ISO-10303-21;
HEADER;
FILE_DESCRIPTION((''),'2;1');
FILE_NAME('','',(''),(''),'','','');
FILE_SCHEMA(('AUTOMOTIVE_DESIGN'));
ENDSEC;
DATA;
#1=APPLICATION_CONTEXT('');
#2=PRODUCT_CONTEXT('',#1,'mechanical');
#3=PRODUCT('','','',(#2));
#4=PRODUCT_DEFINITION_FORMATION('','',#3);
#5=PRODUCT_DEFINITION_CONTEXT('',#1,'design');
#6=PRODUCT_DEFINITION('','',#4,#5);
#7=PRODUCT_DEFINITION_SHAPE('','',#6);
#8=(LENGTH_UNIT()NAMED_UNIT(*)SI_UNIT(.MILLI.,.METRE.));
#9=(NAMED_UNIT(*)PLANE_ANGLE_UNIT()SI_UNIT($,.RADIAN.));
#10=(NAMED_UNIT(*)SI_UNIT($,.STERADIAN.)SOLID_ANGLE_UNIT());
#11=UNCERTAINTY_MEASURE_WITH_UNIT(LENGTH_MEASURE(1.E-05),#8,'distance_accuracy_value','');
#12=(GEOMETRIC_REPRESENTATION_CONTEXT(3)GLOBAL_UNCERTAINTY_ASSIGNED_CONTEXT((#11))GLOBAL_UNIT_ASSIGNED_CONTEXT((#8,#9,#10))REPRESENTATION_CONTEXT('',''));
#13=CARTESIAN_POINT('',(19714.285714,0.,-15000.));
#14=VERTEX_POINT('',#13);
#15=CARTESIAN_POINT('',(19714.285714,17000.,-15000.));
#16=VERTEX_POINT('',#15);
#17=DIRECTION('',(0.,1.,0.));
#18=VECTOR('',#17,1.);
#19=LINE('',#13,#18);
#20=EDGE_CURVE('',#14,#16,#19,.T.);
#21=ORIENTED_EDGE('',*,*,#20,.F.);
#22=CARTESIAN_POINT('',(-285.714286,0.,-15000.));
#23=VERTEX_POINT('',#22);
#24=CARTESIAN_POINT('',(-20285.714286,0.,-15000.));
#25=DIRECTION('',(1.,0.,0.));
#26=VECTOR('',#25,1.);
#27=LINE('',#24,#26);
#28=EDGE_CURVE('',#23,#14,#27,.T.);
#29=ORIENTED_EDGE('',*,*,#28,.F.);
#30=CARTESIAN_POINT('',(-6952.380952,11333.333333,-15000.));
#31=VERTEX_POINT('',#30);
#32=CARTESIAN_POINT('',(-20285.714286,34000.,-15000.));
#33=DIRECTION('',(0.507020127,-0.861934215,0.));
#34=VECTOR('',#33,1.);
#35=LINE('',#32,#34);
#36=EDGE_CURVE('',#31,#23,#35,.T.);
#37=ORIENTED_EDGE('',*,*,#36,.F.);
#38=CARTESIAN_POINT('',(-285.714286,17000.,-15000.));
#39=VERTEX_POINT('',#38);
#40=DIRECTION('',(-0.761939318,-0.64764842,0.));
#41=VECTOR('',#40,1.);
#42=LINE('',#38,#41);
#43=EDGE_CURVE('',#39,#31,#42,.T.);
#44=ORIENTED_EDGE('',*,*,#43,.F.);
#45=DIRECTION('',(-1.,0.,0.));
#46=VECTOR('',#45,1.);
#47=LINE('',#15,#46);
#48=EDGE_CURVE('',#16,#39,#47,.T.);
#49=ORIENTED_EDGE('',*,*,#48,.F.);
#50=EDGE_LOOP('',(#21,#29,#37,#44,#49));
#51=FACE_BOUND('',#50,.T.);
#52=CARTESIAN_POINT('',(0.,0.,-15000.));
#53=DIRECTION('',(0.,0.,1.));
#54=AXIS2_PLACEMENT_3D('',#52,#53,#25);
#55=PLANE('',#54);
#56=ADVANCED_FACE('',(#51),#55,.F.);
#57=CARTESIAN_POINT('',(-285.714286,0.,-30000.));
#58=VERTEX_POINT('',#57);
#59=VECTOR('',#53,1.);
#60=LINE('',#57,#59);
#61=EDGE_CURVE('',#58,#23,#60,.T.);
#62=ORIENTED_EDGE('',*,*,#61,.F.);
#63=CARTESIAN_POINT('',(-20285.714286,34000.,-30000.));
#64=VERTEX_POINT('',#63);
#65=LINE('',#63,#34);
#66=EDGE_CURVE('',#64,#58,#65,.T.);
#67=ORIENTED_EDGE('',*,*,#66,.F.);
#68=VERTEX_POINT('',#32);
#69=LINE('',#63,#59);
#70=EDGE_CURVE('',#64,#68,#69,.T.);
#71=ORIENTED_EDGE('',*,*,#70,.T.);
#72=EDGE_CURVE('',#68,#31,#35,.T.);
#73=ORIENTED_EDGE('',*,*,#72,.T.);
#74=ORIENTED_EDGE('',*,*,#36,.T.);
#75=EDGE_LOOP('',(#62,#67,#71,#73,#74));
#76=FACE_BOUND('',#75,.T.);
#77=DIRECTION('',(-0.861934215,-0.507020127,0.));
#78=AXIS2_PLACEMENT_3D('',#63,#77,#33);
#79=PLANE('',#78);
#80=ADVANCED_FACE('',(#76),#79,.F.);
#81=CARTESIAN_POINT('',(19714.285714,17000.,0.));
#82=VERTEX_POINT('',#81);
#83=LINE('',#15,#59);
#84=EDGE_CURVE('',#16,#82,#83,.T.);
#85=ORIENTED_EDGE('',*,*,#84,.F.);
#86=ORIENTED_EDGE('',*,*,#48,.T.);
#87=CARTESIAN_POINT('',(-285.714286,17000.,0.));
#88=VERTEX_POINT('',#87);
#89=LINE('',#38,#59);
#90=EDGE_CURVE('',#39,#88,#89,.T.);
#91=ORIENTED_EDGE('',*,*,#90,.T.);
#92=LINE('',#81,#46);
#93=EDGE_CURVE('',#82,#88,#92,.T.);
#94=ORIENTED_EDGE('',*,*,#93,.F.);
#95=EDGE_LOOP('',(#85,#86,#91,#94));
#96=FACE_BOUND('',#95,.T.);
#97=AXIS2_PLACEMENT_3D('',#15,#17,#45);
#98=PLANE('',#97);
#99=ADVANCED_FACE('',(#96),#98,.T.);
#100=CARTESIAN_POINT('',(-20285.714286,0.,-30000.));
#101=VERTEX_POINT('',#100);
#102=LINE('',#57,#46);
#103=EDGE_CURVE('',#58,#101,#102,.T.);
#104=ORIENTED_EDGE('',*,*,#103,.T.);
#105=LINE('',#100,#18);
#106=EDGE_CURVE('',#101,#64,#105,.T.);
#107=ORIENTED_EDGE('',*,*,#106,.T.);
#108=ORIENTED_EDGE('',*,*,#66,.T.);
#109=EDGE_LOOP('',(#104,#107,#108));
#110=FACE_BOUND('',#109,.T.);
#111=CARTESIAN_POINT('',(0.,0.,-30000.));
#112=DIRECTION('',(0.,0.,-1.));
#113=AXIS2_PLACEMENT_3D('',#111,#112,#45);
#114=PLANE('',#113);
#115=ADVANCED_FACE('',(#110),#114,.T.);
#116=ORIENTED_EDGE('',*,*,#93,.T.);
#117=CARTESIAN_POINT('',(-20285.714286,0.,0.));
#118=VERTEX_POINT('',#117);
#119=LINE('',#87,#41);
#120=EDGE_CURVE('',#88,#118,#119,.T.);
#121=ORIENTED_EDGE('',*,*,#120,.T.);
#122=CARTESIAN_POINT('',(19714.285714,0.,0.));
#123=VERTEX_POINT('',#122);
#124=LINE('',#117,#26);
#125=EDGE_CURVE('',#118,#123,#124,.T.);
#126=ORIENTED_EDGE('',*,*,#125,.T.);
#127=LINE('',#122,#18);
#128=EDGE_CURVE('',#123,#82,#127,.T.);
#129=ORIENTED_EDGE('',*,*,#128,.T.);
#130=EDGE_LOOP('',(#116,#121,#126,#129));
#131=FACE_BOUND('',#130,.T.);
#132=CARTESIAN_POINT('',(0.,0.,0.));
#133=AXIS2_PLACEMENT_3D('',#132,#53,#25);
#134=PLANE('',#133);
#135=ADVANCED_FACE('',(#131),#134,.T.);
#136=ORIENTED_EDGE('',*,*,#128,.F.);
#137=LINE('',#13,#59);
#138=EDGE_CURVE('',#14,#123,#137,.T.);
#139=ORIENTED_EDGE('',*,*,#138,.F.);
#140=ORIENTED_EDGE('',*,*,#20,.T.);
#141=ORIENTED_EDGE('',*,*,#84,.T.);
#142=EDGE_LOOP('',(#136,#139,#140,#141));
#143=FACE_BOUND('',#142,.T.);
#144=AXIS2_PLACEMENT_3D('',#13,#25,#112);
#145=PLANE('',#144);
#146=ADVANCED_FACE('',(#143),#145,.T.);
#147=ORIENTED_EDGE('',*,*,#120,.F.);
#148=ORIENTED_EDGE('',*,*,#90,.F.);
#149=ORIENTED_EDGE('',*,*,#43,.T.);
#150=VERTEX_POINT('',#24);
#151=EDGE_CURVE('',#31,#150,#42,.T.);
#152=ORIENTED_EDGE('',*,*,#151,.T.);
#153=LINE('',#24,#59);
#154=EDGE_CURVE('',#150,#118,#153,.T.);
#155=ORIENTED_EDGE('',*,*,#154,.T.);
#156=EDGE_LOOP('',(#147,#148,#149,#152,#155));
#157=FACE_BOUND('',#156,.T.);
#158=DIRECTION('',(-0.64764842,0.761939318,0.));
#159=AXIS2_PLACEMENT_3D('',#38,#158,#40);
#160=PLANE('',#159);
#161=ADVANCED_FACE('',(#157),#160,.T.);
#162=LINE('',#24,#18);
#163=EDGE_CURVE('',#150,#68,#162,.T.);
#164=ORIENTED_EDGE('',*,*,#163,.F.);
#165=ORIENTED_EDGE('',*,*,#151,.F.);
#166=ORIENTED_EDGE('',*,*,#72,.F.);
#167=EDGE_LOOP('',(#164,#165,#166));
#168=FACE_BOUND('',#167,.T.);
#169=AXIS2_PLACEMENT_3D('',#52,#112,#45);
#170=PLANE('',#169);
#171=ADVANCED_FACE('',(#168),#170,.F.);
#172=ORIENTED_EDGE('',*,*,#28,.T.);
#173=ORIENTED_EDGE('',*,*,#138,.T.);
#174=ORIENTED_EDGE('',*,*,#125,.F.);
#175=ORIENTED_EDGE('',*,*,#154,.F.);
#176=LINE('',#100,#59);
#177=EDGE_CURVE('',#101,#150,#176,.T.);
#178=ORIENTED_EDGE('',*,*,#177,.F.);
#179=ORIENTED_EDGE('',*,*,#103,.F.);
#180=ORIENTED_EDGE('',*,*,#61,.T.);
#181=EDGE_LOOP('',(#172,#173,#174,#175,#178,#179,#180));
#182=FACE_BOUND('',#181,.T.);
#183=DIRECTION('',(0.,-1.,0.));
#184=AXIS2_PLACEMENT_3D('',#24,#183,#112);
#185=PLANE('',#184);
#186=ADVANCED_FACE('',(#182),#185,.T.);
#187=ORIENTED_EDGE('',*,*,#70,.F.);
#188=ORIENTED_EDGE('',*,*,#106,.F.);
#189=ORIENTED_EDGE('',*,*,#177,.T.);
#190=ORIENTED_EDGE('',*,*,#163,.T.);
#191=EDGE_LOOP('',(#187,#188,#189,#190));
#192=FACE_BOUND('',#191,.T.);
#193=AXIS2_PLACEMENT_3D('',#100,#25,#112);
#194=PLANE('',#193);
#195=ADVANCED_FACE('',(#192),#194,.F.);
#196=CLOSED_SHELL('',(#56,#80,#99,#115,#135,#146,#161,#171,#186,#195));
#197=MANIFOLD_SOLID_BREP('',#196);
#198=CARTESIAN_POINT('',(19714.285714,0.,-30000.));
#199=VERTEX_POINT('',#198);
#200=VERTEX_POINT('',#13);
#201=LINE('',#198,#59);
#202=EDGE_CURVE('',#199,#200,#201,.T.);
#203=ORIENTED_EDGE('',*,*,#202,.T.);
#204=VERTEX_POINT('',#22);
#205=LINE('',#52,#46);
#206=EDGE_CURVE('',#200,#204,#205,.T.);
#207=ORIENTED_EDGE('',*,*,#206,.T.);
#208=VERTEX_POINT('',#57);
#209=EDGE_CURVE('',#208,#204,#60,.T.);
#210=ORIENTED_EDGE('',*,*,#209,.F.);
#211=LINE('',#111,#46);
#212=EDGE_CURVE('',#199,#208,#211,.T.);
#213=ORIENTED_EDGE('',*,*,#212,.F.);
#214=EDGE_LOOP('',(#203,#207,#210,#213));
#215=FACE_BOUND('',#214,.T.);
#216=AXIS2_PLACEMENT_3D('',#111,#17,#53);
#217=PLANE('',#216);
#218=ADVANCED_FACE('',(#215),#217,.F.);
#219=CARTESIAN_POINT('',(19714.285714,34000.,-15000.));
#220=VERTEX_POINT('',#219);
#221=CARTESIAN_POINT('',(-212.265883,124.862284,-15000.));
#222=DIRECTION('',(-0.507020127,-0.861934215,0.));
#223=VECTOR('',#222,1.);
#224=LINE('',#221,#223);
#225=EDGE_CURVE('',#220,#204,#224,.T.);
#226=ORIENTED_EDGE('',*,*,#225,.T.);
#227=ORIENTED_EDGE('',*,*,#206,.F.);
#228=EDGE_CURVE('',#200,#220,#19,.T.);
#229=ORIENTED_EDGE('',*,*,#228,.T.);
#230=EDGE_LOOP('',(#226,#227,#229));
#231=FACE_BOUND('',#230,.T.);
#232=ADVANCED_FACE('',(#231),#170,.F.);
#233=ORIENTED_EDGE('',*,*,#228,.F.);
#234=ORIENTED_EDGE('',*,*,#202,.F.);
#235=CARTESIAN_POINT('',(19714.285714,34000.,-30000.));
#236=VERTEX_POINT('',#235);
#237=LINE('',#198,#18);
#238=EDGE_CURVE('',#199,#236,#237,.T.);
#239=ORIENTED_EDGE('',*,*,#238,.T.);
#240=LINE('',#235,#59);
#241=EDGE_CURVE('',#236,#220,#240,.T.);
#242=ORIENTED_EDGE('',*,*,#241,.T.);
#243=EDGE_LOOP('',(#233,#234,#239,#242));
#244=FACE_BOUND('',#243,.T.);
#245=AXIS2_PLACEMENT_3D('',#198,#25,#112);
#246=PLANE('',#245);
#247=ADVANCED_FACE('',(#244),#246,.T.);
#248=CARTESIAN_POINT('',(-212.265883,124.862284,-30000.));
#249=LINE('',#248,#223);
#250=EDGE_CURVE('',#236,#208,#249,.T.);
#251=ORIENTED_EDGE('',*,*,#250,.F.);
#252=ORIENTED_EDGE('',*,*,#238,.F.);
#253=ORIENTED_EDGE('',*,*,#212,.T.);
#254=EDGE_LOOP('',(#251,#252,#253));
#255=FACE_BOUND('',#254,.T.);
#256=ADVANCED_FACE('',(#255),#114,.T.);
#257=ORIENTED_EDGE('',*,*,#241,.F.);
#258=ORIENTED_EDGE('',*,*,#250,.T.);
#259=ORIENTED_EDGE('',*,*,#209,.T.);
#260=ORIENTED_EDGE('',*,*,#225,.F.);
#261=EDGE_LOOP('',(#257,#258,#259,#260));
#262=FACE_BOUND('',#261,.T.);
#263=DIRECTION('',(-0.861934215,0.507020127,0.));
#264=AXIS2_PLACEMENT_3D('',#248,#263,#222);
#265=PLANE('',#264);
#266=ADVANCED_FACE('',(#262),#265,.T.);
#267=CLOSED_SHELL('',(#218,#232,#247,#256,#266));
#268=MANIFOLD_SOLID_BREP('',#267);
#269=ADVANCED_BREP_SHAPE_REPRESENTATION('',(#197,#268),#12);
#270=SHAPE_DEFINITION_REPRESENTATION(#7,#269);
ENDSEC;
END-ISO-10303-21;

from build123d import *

# Parameters (mm, degrees)
BOSS_EXTRUDE1_DEPTH  = 15000
BOSS_EXTRUDE2_DEPTH  = 15000
BOSS_EXTRUDE16_DEPTH = 15000


with BuildPart() as part:
    # Sketch1 → Boss-Extrude1 (new body)
    with BuildSketch(Plane.XY):
        Polygon((-20285.714285714, 0), (19714.285714286, 0), (19714.285714286, 17000), (-285.714285714, 17000), align=None)
    extrude(amount=-BOSS_EXTRUDE1_DEPTH)

    # Sketch2 → Boss-Extrude2 (add)
    with BuildSketch(Plane(origin=(0, 0, -15000), x_dir=(-1, 0, 0), z_dir=(0, 0, -1))):
        Polygon((285.714285714, 0), (20285.714285714, 0), (20285.714285714, 34000), align=None)
    extrude(amount=BOSS_EXTRUDE2_DEPTH)


with BuildPart() as body_2:
    # Sketch5 → Boss-Extrude16 (new body)
    with BuildSketch(Plane(origin=(0, 0, -15000), x_dir=(-1, 0, 0), z_dir=(0, 0, -1))):
        Polygon((-19714.285714286, 17000), (-9714.285714286, 17000), (-19714.285714286, 34000), align=None)
        Polygon((-19714.285714286, 0), (285.714285714, 0), (-9714.285714286, 17000), (-19714.285714286, 17000), align=None)
    extrude(amount=BOSS_EXTRUDE16_DEPTH)


solid = Compound([part.part, body_2.part])
